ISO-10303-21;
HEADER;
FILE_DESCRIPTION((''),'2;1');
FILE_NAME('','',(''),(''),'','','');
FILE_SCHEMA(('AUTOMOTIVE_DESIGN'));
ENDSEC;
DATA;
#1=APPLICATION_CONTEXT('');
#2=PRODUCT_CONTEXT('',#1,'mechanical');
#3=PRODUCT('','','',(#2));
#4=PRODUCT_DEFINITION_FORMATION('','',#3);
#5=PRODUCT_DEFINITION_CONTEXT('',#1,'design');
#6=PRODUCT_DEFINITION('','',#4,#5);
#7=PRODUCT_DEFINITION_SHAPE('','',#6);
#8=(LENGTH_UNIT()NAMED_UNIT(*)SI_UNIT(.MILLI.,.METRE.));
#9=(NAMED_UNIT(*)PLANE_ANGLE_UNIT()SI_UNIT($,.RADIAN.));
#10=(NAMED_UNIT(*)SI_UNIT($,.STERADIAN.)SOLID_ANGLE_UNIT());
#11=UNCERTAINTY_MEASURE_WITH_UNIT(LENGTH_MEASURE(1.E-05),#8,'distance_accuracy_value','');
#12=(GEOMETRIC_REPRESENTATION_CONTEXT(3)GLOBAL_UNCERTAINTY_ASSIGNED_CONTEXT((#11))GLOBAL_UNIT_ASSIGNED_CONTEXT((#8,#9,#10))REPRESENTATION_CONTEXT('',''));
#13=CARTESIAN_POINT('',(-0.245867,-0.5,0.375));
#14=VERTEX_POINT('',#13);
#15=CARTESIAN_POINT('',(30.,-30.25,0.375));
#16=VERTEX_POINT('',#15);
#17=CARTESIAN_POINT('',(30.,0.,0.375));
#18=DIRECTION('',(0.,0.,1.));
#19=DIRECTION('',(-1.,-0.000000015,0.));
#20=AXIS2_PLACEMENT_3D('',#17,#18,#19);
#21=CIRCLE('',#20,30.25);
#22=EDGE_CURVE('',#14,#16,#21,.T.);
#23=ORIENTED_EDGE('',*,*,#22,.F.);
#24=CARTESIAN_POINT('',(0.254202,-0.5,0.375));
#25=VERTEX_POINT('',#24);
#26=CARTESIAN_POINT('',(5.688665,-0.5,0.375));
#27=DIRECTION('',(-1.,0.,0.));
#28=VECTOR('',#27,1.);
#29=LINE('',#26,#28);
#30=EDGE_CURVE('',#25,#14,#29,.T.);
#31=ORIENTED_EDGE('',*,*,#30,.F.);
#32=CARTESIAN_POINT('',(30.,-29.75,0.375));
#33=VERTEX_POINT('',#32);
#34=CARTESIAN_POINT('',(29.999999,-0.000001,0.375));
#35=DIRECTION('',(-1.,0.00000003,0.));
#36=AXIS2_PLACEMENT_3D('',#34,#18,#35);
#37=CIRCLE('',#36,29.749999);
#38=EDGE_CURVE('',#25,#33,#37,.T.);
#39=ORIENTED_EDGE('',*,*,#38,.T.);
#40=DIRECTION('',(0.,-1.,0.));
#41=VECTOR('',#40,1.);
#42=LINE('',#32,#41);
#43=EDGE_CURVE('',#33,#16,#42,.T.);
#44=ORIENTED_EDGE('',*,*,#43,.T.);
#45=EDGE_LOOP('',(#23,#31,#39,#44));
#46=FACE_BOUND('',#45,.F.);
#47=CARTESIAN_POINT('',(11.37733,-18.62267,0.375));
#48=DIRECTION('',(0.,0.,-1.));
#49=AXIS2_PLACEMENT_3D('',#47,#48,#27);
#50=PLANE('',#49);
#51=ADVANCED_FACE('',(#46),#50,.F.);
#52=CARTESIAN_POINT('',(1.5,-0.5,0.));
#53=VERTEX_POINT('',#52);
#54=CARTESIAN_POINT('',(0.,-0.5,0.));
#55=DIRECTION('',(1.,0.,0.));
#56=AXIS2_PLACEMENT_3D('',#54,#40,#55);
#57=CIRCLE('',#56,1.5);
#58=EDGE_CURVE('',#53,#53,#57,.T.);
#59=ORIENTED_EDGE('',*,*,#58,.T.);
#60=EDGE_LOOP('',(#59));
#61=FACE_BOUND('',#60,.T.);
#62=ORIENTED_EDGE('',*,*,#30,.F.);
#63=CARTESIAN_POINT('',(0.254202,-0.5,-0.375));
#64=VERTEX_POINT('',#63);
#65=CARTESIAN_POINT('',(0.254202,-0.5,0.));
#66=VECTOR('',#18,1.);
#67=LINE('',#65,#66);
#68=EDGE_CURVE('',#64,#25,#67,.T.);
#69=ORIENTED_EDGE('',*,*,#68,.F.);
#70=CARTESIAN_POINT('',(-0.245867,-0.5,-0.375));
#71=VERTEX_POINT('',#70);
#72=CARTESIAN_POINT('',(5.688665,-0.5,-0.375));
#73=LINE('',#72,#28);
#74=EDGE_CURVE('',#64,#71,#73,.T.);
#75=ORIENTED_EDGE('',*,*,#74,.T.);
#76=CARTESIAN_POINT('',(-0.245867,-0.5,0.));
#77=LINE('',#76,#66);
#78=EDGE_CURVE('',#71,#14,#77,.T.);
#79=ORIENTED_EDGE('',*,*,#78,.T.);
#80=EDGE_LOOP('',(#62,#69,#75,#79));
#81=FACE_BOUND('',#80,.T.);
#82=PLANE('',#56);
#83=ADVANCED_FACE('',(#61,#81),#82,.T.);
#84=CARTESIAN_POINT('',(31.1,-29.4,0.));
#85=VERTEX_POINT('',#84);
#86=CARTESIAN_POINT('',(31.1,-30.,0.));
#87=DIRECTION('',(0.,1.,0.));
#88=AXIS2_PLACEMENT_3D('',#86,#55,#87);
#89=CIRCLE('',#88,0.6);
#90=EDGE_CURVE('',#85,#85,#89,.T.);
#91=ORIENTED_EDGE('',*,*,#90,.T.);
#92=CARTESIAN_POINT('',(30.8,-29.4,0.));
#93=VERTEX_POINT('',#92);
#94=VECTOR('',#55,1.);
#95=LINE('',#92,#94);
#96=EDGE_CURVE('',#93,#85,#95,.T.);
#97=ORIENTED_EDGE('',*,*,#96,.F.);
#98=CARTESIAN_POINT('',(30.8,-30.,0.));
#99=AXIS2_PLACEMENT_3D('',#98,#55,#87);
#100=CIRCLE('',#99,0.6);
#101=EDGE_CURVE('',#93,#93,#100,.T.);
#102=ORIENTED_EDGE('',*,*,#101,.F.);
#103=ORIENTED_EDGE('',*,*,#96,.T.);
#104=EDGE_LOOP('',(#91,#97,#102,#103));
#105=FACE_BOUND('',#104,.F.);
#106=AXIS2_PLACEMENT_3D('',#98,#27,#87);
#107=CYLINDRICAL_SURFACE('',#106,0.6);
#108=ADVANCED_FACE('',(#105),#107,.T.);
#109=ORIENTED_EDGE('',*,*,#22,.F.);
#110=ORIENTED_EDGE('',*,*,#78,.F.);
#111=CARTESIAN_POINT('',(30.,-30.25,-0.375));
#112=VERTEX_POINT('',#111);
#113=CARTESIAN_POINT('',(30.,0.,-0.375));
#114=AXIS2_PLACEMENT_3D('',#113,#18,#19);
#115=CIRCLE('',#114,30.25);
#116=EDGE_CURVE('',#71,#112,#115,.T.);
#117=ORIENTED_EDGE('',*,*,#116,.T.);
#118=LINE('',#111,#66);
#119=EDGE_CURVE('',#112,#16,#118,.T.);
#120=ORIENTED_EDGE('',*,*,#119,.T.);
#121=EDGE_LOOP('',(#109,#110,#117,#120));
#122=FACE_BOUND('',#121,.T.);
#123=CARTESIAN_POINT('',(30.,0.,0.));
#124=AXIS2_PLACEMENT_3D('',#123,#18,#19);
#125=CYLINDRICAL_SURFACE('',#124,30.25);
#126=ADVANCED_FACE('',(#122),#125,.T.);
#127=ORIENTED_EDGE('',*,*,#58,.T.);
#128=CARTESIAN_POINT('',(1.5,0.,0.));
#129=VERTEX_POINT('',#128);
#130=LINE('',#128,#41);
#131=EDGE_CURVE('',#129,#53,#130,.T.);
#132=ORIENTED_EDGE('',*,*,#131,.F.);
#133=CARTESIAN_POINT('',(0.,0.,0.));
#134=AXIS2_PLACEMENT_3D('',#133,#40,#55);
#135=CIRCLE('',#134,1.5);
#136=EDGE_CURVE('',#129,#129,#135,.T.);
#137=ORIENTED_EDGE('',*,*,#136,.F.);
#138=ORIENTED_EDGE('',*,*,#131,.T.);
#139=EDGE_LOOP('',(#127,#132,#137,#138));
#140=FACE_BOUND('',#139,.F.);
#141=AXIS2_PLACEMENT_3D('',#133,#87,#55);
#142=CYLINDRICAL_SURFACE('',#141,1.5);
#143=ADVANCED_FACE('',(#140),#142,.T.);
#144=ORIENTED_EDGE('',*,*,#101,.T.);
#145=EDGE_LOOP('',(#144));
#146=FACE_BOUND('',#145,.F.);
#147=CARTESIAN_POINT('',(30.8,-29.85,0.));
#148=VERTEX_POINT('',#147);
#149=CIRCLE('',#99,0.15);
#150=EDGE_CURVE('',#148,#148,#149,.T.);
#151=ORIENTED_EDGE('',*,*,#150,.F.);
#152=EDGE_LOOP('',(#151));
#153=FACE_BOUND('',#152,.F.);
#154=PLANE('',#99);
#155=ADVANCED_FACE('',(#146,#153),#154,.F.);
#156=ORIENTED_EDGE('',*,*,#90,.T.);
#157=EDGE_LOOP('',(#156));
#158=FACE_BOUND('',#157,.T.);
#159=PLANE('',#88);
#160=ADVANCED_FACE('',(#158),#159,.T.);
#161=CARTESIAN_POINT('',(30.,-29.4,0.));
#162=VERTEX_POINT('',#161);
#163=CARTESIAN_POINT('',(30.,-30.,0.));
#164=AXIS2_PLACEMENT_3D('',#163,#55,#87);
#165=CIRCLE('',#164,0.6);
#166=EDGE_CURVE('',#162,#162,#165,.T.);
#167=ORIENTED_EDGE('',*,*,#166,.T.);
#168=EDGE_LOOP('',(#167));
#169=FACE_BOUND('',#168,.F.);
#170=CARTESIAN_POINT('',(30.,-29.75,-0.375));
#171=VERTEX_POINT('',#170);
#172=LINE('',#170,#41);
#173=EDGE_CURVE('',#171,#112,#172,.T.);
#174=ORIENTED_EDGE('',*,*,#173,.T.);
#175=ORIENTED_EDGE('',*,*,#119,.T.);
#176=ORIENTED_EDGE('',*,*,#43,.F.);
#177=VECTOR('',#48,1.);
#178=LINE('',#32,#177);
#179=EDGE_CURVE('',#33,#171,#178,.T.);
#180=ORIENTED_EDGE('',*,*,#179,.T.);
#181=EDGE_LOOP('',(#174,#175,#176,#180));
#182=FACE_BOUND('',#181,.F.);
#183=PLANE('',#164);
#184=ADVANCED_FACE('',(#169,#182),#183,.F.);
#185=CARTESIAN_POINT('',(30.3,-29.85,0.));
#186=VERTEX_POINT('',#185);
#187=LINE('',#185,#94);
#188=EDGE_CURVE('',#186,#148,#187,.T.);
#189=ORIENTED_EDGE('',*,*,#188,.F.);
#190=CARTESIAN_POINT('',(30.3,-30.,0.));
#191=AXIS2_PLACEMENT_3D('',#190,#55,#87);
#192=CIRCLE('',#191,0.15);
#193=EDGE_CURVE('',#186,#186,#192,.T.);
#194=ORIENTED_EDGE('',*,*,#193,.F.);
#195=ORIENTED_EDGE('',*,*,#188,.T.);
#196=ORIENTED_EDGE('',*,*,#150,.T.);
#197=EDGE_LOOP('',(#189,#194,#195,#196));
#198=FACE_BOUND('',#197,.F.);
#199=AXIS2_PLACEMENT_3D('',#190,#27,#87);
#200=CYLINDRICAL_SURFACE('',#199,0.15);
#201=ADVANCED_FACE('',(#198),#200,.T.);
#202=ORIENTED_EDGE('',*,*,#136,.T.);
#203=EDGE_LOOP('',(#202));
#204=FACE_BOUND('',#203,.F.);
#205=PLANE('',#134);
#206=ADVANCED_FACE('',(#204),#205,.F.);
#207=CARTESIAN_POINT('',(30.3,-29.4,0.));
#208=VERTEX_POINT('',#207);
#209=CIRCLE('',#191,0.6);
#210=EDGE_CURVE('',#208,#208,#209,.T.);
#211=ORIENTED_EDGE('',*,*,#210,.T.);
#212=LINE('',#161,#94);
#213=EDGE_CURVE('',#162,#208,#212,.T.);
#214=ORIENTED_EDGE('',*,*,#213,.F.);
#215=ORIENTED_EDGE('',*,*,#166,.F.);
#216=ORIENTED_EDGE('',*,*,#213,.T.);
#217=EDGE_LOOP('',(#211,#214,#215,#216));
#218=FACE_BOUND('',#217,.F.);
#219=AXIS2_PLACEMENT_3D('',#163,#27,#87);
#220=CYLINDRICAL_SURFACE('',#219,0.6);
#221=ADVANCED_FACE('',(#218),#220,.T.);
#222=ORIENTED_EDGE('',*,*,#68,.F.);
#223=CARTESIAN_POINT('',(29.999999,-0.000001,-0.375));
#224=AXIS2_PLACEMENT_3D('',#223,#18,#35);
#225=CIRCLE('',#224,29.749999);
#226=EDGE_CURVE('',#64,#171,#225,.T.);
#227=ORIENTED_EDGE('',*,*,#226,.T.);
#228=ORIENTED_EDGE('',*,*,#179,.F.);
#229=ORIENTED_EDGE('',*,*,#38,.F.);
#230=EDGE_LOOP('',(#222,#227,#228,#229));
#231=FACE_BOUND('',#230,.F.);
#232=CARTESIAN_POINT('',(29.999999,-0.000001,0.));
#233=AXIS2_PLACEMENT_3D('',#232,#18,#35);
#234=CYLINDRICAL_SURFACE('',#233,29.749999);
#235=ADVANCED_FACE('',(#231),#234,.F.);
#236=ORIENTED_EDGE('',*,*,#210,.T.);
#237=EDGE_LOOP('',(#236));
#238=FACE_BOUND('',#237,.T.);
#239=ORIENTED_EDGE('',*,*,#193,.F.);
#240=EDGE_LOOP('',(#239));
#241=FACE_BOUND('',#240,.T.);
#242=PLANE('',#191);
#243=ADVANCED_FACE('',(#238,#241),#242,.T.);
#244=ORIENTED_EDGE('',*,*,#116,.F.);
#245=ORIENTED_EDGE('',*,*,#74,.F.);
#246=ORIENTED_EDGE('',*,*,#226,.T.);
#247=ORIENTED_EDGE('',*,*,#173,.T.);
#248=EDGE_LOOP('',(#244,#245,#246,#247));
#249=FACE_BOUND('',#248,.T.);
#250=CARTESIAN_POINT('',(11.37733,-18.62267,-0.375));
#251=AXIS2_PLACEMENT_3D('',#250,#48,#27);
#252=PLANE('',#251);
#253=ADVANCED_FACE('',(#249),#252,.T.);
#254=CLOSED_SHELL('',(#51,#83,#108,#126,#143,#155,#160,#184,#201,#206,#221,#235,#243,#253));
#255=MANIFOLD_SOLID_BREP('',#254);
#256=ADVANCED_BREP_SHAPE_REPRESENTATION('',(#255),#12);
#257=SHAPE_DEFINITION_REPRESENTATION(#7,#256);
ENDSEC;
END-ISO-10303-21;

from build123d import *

# Parameters (mm, degrees)
PAD_DEPTH    = 0.375
SKETCH002_R  = 1.5
PAD001_DEPTH = 0.5
SKETCH003_R  = 0.6
PAD002_DEPTH = 0.3
SKETCH004_R  = 0.15
PAD003_DEPTH = 0.5
SKETCH005_R  = 0.6
PAD004_DEPTH = 0.3


with BuildPart() as part:
    # Sketch → Pad (new body, symmetric)
    with BuildSketch(Plane.XY):
        with BuildLine():
            Line((-0.25, 0), (0, 0))
            Line((0, 0), (0.25, 0))
            ThreePointArc((0.25, 0), (8.963573, -21.036427), (30, -29.75))
            Line((30, -29.75), (30, -30))
            Line((30, -30), (30, -30.25))
            ThreePointArc((-0.25, 0), (8.61002, -21.38998), (30, -30.25))
        make_face()
    extrude(amount=PAD_DEPTH, both=True)

    # Sketch002 → Pad001 (join)
    with BuildSketch(Plane.XZ):
        Circle(SKETCH002_R)
    extrude(amount=PAD001_DEPTH)

    # Sketch003 (on DatumPlane) → Pad002 (join)
    with BuildSketch(Plane(origin=(30, -30, 0), x_dir=(0, 1, 0), z_dir=(1, 0, 0))):
        Circle(SKETCH003_R)
    extrude(amount=PAD002_DEPTH)

    # Sketch004 (on DatumPlane) → Pad003 (join)
    with BuildSketch(Plane(origin=(30.3, -30, 0), x_dir=(0, 1, 0), z_dir=(1, 0, 0))):
        Circle(SKETCH004_R)
    extrude(amount=PAD003_DEPTH)

    # Sketch005 (on DatumPlane) → Pad004 (join)
    with BuildSketch(Plane(origin=(30.8, -30, 0), x_dir=(0, 1, 0), z_dir=(1, 0, 0))):
        Circle(SKETCH005_R)
    extrude(amount=PAD004_DEPTH)


solid = part.part
